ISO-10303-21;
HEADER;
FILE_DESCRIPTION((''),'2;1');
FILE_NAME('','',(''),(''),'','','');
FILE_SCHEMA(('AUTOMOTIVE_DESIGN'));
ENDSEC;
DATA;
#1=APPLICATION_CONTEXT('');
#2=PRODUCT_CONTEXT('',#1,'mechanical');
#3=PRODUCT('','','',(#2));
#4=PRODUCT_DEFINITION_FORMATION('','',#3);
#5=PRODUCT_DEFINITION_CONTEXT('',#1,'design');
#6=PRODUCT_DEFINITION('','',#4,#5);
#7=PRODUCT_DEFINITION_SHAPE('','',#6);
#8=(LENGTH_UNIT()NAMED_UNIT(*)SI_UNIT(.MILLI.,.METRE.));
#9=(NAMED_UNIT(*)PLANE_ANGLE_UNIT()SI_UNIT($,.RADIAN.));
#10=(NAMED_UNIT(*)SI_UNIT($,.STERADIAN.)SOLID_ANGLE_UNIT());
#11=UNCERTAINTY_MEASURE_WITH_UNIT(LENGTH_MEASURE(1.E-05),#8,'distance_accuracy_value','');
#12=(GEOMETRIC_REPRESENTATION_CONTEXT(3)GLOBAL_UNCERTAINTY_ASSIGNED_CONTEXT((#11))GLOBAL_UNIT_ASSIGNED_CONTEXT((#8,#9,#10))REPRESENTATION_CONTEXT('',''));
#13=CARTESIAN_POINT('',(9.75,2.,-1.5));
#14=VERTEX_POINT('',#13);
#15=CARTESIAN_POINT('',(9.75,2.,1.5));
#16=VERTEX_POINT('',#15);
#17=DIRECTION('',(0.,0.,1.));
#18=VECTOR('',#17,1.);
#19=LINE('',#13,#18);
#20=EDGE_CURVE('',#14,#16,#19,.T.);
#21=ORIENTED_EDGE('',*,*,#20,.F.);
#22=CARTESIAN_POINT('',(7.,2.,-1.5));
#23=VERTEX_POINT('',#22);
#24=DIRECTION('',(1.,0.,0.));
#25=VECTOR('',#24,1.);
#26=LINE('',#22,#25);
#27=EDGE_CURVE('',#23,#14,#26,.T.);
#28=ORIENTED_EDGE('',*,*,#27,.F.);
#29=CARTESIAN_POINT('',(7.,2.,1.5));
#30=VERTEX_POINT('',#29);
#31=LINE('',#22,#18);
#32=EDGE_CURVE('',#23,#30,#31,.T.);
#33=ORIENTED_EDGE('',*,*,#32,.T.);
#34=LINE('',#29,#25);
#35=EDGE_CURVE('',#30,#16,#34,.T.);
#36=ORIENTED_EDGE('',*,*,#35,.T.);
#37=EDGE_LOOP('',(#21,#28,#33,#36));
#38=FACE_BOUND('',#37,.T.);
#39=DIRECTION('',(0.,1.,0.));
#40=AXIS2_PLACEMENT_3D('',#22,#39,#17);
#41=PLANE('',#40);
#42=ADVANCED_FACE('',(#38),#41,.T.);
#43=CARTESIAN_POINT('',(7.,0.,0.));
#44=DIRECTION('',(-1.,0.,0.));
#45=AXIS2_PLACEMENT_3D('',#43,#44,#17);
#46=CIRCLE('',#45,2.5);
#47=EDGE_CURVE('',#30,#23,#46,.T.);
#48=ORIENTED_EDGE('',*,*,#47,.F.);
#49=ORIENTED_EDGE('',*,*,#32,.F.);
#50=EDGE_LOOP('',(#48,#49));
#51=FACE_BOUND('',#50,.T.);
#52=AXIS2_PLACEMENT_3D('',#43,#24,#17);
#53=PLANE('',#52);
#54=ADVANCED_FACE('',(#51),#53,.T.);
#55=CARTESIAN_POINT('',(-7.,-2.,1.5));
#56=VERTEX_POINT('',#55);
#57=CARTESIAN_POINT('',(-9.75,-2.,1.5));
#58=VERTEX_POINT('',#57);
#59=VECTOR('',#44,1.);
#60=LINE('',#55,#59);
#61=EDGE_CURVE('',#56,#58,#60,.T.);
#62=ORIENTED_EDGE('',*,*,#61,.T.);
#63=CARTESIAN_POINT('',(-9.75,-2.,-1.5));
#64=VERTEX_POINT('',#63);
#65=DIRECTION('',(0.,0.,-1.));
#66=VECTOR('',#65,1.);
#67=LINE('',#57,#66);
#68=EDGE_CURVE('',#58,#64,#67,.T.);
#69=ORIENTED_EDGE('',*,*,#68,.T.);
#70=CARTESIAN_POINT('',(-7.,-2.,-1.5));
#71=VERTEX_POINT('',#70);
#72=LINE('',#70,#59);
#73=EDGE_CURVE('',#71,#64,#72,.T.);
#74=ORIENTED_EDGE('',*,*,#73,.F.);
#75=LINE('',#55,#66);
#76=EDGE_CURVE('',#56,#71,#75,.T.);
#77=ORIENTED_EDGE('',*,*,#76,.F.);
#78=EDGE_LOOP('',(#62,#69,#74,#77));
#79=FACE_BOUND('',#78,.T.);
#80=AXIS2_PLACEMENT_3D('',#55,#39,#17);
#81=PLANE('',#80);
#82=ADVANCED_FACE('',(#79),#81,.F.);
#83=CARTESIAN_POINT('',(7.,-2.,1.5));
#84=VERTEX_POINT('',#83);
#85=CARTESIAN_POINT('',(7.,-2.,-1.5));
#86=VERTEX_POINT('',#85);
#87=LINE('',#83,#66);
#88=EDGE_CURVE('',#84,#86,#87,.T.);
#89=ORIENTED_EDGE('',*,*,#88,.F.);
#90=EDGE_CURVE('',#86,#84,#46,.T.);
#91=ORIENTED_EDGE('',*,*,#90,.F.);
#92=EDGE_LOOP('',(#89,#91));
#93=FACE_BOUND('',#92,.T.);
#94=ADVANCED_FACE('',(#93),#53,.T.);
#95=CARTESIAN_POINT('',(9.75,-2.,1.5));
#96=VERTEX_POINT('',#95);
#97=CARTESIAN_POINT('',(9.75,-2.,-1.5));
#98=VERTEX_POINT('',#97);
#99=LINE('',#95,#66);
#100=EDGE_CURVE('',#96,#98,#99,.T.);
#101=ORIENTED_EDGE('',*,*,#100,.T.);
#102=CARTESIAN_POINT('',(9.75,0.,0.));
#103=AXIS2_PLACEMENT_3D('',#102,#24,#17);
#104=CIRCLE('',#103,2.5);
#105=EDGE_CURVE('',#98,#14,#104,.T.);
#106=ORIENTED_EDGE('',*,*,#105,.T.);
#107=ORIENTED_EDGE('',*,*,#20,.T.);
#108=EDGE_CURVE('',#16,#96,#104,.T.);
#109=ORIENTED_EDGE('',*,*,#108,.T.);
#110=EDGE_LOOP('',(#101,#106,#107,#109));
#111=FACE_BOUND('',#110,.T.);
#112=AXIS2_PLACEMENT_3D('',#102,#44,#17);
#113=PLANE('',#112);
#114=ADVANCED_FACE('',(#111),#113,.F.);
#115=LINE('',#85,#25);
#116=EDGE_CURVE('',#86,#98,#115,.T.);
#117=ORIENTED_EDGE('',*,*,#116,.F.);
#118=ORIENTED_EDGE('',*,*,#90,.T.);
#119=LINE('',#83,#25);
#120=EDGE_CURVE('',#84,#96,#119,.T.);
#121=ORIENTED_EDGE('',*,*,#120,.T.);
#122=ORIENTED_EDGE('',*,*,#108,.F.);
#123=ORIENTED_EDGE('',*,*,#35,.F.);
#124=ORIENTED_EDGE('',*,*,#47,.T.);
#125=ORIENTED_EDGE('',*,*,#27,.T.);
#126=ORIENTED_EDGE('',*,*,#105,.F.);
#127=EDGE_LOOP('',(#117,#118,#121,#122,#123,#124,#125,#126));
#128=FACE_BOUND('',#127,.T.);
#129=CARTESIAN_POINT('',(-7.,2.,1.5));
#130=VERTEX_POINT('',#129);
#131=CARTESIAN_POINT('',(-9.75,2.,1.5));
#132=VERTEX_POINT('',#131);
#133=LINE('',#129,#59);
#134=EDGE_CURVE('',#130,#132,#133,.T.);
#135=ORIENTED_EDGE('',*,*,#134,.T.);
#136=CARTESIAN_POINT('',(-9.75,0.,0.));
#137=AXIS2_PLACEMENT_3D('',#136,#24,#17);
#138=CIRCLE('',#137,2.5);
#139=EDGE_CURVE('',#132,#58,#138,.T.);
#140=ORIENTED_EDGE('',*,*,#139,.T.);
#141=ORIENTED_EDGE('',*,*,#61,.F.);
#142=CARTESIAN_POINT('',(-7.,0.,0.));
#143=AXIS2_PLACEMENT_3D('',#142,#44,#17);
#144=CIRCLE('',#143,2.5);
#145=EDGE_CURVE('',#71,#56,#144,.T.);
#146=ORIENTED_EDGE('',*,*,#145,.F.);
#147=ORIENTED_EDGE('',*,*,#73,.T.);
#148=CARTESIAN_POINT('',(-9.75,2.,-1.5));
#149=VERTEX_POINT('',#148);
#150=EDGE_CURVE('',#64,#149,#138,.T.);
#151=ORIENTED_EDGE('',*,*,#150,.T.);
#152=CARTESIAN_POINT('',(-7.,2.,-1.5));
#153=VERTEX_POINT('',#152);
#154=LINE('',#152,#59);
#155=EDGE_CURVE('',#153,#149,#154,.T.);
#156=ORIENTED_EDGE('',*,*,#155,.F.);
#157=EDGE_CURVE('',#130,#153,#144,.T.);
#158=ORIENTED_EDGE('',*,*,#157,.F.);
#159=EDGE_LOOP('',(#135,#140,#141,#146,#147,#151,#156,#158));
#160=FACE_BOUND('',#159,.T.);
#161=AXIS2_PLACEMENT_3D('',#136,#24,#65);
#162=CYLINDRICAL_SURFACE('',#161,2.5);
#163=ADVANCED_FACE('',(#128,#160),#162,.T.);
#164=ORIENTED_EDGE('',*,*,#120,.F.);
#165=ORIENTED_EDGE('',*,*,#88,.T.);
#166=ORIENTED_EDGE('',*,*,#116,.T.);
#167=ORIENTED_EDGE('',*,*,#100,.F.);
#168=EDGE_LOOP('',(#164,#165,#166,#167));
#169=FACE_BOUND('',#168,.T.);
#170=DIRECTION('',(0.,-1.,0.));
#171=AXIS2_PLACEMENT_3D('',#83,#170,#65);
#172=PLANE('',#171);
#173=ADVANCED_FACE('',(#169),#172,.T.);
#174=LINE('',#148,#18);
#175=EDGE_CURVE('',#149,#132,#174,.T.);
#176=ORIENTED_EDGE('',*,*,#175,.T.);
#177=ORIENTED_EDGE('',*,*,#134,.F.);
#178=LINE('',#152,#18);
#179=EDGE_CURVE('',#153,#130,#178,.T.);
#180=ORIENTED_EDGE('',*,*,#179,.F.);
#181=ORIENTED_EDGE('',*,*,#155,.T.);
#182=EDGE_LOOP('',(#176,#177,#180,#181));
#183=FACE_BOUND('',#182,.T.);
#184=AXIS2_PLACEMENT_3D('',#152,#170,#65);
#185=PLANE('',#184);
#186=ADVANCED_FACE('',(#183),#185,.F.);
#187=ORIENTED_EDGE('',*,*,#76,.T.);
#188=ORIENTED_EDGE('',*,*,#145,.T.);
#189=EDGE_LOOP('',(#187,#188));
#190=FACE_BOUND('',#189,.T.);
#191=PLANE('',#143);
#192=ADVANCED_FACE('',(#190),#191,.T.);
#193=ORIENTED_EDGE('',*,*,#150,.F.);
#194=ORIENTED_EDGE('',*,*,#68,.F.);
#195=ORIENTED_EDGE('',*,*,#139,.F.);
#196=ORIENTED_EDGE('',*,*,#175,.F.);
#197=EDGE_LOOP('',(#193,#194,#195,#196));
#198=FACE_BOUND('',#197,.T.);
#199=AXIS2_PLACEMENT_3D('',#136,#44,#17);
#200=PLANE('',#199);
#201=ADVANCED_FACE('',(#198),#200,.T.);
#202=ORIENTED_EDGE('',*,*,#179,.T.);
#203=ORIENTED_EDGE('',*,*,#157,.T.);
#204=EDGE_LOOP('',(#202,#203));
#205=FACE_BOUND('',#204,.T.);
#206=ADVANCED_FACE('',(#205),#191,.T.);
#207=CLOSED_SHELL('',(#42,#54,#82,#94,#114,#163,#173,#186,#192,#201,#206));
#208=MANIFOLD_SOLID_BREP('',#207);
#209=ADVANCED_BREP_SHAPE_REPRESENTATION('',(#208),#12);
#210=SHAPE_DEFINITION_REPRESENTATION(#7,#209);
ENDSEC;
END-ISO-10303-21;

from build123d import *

# Parameters (mm, degrees)
SKETCH1_R           = 2.5
BOSS_EXTRUDE1_DEPTH = 9.75
CUT_EXTRUDE1_START  = -2.749999999
CUT_EXTRUDE1_DEPTH  = 2.749999999


with BuildPart() as part:
    # Sketch1 → Boss-Extrude1 (new, symmetric)
    with BuildSketch(Plane(origin=(0, 0, 0), x_dir=(0, 0, -1), z_dir=(1, 0, 0))):
        with Locations(Location((0, 0, 0), (0, 0, 180))):
            Circle(SKETCH1_R)
    extrude(amount=BOSS_EXTRUDE1_DEPTH, both=True)

    # Sketch2 → Cut-Extrude1 (cut)
    with BuildSketch(Plane.ZY.offset(9.75).offset(CUT_EXTRUDE1_START)):
        with BuildLine():
            Line((-1.5, 2), (1.5, 2))
            ThreePointArc((1.5, 2), (0, 2.5), (-1.5, 2))
        make_face()
        with BuildLine():
            Line((1.5, -2), (-1.5, -2))
            ThreePointArc((-1.5, -2), (0, -2.5), (1.5, -2))
        make_face()
    cut_extrude1 = extrude(amount=CUT_EXTRUDE1_DEPTH, mode=Mode.SUBTRACT)

    # Mirror1: Cut-Extrude1 across plane
    add(cut_extrude1.mirror(Plane(origin=(0, 0, 0), x_dir=(0, 0, 1), z_dir=(1, 0, 0))), mode=Mode.SUBTRACT)


solid = part.part
